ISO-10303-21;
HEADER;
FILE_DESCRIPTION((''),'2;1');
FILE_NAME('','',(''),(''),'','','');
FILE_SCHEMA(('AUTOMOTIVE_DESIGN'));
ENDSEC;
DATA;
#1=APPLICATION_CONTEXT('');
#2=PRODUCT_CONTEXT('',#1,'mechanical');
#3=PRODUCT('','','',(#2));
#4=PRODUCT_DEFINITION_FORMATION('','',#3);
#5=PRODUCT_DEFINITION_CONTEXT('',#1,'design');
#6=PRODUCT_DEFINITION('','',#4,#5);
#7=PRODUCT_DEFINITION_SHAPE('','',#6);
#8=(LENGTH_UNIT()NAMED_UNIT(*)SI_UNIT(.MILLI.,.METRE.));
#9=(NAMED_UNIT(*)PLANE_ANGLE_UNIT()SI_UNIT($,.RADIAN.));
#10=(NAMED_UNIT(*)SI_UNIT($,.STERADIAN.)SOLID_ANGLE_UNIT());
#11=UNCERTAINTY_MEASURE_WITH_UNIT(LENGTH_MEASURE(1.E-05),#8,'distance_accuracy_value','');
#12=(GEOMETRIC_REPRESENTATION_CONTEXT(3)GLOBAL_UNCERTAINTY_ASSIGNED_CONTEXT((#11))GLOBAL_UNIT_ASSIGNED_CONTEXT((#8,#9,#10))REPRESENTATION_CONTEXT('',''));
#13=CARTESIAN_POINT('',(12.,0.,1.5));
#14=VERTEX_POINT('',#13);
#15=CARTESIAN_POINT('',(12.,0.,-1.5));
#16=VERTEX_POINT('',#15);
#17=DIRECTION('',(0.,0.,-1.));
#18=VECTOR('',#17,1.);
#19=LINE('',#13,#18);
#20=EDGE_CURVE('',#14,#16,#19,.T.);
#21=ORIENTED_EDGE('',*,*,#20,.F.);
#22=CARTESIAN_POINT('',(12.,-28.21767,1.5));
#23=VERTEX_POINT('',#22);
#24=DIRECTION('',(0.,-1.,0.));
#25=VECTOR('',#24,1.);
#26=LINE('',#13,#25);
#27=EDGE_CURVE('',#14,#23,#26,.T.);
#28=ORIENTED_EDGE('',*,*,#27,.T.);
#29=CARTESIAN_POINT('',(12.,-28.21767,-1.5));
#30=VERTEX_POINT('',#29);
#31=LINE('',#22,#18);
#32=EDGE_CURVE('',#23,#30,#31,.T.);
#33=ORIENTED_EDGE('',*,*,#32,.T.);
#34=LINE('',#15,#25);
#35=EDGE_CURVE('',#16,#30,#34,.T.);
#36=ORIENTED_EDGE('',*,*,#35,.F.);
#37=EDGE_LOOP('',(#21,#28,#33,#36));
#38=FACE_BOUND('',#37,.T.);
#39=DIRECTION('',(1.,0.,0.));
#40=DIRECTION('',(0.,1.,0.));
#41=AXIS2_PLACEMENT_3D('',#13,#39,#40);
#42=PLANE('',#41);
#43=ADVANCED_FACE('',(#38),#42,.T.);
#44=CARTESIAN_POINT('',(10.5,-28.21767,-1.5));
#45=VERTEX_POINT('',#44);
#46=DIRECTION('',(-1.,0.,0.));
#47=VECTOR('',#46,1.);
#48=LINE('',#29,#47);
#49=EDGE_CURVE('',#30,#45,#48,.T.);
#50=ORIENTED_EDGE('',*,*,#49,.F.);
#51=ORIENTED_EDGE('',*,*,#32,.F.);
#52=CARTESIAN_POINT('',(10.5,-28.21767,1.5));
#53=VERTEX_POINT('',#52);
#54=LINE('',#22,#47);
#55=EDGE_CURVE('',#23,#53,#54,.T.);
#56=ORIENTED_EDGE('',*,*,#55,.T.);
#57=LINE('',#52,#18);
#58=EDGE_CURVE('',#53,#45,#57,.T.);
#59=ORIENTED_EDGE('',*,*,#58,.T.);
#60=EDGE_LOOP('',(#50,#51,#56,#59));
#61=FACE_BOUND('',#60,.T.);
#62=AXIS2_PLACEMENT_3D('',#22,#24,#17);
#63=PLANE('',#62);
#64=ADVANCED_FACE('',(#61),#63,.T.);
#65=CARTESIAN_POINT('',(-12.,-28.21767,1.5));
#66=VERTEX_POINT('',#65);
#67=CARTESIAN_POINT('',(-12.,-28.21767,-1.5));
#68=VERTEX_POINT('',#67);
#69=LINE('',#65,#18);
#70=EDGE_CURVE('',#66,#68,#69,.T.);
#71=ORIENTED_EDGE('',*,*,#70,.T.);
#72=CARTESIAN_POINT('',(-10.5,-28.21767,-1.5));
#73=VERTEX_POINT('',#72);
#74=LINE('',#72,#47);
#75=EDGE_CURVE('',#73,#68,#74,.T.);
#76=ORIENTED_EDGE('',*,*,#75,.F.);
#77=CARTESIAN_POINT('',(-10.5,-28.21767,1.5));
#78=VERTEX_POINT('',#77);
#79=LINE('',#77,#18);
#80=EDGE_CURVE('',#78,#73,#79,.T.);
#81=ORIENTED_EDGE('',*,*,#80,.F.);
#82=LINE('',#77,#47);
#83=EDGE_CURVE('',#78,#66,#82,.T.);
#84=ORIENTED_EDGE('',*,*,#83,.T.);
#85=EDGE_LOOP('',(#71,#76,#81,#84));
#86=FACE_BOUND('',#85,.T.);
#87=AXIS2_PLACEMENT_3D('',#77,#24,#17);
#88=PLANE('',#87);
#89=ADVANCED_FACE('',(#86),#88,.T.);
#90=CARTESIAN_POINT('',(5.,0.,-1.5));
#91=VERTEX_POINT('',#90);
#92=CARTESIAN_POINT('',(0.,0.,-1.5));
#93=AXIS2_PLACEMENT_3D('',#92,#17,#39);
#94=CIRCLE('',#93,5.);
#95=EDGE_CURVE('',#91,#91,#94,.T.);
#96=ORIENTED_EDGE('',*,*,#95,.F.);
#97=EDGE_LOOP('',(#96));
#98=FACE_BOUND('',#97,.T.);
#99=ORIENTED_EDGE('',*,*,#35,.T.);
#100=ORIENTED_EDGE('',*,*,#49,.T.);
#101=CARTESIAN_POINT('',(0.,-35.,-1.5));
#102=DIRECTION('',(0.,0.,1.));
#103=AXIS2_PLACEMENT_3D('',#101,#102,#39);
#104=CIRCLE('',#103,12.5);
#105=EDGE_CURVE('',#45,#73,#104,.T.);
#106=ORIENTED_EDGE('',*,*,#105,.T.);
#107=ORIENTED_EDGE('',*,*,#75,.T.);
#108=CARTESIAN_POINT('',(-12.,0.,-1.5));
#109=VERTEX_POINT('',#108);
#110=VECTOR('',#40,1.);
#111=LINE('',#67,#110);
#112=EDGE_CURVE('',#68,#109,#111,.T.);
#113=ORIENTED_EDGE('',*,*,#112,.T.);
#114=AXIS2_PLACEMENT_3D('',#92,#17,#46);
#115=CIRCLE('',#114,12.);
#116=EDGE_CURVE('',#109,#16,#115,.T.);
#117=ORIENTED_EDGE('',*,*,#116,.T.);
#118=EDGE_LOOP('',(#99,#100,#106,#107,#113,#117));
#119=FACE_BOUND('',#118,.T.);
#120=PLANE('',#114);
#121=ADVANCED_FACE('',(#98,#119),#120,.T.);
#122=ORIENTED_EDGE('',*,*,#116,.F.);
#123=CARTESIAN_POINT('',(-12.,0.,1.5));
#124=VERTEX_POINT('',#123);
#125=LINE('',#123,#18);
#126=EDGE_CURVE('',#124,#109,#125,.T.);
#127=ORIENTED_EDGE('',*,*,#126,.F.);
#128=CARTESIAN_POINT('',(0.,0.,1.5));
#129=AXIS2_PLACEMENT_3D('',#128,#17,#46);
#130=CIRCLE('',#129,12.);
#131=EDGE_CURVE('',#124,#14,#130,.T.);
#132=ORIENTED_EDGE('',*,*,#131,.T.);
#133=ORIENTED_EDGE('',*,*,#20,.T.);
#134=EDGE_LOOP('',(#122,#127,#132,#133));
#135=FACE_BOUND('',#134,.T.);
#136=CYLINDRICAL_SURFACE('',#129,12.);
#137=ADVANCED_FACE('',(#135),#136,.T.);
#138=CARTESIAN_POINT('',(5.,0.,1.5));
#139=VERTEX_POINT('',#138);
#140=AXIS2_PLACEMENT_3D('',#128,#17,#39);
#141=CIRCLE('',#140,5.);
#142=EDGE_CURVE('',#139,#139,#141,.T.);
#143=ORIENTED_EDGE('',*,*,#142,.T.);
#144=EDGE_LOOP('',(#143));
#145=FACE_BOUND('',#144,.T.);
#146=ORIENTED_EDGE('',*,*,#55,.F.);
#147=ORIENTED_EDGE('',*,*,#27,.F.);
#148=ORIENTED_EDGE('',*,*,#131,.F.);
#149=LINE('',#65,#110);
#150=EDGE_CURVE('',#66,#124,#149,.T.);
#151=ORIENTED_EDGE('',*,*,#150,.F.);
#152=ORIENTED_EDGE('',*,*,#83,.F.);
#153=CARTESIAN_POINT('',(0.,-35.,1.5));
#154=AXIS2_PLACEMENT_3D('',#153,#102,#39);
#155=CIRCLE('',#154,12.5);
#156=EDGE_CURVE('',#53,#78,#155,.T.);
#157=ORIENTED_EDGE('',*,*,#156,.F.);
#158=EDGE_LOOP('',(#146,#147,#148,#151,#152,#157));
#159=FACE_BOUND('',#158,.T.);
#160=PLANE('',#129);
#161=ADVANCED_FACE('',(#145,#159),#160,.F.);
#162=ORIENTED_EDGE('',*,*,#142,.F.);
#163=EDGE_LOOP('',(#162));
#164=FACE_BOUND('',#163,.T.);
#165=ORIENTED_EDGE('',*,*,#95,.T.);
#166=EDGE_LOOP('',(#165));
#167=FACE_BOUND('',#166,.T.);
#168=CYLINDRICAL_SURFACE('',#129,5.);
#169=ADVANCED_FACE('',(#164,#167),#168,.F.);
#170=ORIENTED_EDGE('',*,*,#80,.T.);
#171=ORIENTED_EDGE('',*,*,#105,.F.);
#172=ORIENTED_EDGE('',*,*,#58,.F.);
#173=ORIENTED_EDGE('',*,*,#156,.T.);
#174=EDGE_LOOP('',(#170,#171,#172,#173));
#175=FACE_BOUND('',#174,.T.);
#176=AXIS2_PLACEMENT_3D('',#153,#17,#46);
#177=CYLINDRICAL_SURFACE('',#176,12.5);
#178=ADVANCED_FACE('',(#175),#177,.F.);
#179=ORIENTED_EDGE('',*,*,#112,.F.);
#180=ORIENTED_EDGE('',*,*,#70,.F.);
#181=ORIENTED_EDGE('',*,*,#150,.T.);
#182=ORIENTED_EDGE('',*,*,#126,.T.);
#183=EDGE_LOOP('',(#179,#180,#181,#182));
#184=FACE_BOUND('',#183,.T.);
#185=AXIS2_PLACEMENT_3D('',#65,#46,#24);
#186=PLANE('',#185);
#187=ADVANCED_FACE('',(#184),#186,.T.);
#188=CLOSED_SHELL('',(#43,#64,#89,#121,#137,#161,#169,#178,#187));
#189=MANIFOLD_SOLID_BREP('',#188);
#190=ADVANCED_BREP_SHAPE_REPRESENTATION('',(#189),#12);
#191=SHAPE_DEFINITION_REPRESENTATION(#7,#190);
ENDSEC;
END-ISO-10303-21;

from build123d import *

# Parameters (mm, degrees)
SZKIC1_R                    = 5
DODANIE_WYCI_GNI_CIE1_DEPTH = 3


with BuildPart() as part:
    # Szkic1 → Dodanie-wyciągnięcie1 (new body)
    with BuildSketch(Plane(origin=(0, 0, -1.5), x_dir=(-1, 0, 0), z_dir=(0, 0, -1))):
        with BuildLine():
            Line((-12, 0), (-12, -28.217670017))
            Line((-12, -28.217670017), (-10.5, -28.217670017))
            ThreePointArc((-10.5, -28.217670017), (0, -22.5), (10.5, -28.217670017))
            Line((10.5, -28.217670017), (12, -28.217670017))
            Line((12, -28.217670017), (12, 0))
            ThreePointArc((12, 0), (0, 12), (-12, 0))
        make_face()
        Circle(SZKIC1_R, mode=Mode.SUBTRACT)
    extrude(amount=-DODANIE_WYCI_GNI_CIE1_DEPTH)


solid = part.part
